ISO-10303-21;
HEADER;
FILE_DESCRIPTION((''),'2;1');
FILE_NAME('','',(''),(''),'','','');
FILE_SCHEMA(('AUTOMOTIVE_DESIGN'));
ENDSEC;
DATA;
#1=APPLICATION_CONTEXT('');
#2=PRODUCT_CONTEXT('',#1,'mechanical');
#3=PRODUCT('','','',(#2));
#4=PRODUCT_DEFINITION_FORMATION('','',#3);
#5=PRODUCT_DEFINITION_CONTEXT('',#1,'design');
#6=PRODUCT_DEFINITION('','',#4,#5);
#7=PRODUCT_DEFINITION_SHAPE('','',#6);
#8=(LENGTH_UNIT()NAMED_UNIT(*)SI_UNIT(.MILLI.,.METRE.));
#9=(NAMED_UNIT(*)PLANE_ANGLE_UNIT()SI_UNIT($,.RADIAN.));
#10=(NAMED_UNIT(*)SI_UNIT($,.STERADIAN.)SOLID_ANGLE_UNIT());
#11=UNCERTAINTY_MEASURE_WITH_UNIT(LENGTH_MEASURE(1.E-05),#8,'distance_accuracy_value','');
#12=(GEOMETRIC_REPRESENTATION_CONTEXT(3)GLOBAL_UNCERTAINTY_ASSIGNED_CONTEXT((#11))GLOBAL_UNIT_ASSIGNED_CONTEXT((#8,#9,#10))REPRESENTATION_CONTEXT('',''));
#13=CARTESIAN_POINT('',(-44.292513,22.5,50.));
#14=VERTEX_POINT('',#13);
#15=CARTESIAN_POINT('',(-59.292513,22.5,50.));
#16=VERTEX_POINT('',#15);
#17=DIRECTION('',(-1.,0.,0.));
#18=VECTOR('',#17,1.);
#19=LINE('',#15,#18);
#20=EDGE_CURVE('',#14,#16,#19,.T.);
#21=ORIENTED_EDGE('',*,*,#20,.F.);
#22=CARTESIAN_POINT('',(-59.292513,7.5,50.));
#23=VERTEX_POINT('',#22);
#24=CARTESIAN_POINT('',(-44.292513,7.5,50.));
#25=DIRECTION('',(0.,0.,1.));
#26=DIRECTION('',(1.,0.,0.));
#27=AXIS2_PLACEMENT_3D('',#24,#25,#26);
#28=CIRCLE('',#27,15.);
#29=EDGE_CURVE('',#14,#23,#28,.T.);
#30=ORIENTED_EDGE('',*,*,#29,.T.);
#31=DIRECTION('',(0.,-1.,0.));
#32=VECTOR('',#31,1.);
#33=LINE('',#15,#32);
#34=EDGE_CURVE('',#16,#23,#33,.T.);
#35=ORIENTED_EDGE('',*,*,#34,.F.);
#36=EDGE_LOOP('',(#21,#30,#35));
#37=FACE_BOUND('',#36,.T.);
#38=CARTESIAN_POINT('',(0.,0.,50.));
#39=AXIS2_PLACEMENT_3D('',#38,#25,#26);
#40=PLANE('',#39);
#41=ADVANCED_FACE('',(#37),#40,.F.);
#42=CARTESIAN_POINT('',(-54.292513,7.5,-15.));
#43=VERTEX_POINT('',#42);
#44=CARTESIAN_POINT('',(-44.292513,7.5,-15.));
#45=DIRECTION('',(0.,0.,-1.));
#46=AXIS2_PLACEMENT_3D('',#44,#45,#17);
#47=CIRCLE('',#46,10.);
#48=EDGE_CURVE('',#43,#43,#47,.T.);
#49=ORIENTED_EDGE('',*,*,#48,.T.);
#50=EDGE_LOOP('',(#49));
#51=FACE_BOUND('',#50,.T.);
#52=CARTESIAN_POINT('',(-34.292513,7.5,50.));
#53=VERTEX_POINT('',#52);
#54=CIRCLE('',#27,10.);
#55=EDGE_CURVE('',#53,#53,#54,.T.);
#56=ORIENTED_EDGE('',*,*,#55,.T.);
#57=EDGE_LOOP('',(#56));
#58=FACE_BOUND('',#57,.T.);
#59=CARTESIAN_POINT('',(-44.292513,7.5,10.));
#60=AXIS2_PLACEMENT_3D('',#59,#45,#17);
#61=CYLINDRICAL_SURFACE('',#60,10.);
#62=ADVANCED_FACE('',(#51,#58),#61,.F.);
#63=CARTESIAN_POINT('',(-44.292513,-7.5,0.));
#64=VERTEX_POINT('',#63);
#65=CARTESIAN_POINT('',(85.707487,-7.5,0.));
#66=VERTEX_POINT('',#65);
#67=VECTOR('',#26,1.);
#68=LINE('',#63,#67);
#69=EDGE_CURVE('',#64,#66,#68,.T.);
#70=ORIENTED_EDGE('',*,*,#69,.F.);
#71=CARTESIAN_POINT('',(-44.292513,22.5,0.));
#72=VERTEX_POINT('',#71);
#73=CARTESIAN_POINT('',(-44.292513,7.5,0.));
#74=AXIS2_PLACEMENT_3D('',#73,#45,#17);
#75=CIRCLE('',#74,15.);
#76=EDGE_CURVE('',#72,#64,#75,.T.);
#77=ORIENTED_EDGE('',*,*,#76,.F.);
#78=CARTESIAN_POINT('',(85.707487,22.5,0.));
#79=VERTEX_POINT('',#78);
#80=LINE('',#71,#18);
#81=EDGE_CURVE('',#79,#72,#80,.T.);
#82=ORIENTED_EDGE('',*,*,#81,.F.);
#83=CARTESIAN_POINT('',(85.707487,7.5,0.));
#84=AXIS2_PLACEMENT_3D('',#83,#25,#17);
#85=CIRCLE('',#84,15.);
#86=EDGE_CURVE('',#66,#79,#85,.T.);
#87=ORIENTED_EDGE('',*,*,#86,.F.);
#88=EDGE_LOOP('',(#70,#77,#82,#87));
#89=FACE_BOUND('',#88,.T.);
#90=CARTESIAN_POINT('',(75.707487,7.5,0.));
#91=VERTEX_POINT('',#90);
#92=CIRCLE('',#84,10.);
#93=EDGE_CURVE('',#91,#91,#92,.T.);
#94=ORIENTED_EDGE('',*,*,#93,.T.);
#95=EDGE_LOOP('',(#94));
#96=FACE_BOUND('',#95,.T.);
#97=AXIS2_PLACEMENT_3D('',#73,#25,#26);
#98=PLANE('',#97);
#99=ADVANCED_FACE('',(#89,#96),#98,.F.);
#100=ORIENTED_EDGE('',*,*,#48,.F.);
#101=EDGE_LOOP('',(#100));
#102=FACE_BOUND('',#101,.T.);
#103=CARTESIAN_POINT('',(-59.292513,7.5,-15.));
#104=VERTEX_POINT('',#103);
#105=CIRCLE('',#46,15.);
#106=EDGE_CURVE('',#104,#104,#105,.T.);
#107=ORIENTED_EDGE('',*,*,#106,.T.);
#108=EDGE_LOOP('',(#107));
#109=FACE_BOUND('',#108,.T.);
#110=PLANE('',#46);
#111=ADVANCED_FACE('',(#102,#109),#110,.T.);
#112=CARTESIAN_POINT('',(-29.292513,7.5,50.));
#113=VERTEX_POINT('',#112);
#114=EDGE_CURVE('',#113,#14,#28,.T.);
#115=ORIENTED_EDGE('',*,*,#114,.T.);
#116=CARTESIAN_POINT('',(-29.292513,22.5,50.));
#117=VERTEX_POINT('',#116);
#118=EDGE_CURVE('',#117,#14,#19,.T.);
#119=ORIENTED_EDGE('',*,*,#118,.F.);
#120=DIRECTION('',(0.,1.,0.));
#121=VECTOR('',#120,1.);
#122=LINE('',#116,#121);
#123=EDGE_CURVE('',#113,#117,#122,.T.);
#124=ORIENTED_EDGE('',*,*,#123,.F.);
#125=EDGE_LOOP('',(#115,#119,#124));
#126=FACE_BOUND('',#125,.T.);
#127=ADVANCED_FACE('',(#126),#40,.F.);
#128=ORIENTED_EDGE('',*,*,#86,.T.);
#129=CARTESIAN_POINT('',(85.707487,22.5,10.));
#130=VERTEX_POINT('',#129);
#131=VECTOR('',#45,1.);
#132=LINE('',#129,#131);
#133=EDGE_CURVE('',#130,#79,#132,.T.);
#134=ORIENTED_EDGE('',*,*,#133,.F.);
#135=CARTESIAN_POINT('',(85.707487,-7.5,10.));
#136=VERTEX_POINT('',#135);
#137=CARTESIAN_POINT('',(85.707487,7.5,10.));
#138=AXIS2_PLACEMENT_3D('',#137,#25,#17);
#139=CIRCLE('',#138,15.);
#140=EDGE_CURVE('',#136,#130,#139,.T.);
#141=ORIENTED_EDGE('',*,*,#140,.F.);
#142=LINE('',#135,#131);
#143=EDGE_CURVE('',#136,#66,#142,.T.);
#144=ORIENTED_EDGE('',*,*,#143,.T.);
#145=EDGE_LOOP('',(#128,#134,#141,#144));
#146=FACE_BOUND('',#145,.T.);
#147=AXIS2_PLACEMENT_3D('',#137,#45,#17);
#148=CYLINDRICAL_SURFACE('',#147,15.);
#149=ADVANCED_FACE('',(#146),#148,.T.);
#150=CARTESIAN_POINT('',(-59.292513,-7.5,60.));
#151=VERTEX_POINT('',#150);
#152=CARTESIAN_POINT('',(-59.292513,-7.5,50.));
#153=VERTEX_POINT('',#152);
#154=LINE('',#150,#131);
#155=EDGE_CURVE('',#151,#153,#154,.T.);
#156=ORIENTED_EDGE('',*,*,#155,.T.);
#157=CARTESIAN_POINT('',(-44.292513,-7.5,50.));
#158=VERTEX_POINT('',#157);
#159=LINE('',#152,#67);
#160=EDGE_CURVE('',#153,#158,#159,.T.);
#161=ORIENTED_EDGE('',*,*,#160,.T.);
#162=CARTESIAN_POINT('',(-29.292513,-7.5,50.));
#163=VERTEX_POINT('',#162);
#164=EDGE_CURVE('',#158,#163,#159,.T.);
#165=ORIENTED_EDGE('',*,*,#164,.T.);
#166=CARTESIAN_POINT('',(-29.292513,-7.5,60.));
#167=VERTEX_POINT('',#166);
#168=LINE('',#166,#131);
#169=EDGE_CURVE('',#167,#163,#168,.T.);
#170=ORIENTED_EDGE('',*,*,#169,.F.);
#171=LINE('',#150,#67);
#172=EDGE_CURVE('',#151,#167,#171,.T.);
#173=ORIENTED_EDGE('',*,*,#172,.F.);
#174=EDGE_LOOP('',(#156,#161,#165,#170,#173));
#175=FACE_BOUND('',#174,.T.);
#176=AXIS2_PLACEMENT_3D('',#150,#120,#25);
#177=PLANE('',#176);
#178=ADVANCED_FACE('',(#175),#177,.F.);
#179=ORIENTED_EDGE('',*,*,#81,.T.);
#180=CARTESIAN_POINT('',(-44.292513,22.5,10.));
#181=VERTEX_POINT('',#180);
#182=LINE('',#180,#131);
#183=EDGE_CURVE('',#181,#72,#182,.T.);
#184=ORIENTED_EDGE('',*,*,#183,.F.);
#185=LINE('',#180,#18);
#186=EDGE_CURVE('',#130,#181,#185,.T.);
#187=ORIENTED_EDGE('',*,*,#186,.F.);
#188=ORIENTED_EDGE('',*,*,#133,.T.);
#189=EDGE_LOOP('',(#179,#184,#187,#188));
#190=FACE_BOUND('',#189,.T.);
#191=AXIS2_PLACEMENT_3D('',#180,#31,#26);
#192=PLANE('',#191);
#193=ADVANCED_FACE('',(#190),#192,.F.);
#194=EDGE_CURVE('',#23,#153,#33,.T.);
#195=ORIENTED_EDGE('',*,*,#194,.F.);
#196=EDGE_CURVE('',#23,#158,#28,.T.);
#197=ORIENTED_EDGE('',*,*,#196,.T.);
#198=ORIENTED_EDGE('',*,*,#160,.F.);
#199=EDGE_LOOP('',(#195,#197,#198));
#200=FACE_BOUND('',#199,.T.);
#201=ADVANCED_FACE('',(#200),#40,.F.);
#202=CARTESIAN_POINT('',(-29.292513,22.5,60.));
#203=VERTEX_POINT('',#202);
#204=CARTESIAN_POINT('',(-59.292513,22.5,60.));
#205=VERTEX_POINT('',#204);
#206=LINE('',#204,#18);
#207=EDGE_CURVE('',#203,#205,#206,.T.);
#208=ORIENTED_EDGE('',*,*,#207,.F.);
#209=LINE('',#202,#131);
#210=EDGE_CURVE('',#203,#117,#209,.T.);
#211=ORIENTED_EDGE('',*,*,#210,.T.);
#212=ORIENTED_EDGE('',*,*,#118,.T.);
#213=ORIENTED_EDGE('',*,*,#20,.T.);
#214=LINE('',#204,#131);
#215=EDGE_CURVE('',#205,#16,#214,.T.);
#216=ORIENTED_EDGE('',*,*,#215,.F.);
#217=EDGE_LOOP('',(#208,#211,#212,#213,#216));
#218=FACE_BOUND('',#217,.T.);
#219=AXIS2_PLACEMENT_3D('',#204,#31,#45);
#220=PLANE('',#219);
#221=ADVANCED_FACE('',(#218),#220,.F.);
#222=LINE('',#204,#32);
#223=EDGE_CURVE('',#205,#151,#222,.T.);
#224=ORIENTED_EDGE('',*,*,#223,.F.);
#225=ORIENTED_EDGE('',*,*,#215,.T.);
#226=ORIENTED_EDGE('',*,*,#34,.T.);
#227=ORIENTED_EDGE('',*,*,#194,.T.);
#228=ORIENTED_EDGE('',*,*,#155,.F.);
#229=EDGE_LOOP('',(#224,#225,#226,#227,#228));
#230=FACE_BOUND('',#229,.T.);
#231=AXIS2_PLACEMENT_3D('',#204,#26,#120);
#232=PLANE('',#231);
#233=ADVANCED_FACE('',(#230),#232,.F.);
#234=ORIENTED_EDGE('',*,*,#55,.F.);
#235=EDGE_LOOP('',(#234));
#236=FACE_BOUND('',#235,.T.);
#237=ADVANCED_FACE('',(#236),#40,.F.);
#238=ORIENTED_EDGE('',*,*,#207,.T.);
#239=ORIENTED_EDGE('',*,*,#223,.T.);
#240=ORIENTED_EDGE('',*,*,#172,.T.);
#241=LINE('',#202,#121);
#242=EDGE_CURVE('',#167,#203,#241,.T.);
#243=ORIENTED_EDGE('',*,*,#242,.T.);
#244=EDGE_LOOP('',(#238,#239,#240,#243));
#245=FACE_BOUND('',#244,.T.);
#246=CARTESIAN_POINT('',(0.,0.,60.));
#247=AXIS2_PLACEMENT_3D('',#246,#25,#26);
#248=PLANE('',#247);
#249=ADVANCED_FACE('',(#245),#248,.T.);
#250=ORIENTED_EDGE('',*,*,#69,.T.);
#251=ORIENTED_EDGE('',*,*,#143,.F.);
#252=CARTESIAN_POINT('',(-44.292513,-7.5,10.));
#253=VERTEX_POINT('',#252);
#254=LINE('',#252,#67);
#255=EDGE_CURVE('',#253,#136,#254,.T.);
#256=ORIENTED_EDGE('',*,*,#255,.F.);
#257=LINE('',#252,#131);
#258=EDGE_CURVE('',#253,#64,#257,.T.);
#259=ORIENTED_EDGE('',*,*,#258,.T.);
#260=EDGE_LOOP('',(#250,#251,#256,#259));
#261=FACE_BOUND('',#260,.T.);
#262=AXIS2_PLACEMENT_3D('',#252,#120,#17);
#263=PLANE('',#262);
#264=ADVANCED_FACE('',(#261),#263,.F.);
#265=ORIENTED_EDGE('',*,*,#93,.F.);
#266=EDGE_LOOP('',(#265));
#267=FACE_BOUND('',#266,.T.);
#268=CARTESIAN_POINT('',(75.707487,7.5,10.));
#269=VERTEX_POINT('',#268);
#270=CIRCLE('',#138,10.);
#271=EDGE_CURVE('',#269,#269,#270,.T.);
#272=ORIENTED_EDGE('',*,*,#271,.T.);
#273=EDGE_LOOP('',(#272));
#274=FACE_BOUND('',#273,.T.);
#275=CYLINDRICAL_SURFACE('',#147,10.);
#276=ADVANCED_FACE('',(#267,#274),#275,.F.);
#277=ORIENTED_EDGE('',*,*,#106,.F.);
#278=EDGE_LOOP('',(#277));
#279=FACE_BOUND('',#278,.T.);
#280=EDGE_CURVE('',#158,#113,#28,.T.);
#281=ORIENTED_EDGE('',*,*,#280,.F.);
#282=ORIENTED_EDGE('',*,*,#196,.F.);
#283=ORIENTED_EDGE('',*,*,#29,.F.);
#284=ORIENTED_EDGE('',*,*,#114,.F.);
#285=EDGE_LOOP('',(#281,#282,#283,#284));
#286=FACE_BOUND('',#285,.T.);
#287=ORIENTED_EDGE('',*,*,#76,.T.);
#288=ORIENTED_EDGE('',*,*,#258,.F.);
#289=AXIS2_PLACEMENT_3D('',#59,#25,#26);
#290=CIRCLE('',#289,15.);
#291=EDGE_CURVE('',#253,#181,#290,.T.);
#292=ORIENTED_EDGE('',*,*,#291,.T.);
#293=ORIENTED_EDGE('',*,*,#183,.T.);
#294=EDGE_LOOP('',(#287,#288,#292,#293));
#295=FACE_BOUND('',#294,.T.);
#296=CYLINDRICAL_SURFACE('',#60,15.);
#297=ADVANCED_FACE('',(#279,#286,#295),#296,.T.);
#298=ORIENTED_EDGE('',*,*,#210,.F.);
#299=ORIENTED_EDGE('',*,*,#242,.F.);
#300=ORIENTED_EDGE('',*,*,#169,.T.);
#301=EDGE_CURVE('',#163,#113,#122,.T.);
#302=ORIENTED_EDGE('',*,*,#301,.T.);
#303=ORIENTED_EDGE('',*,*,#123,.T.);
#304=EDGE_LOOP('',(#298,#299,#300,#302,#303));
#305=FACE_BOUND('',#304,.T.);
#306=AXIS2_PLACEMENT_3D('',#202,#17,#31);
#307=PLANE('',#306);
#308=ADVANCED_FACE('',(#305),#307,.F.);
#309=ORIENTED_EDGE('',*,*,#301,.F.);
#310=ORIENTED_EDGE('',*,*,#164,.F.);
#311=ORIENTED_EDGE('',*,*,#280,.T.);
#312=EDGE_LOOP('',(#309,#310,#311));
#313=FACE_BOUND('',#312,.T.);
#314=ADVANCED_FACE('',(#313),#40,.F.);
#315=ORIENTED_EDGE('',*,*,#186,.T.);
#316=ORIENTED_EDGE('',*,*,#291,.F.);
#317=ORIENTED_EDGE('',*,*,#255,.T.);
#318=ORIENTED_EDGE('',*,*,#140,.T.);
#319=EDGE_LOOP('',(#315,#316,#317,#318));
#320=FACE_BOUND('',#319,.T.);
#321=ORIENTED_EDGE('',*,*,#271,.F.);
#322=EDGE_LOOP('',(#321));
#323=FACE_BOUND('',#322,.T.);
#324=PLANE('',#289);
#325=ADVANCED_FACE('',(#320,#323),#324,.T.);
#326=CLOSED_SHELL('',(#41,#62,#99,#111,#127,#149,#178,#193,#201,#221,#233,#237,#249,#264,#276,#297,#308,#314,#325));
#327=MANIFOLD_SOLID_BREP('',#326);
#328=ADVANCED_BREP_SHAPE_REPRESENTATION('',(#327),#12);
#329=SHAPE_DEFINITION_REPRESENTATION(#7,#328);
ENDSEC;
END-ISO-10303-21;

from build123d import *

# Parameters (mm, degrees)
CROQUIS1_R              = 10
SALIENTE_EXTRUIR1_DEPTH = 10
CROQUIS2_R              = 15
CROQUIS2_R_2            = 10
SALIENTE_EXTRUIR2_DEPTH = 40
CROQUIS3_W              = 30
CROQUIS3_H              = 30
SALIENTE_EXTRUIR3_DEPTH = 10
BOSS_EXTRUDE1_START     = 15
SKETCH1_R               = 15
SKETCH1_R_2             = 10
BOSS_EXTRUDE1_DEPTH     = 15


with BuildPart() as part:
    # Croquis1 → Saliente-Extruir1 (new body)
    with BuildSketch(Plane.XY):
        with BuildLine():
            Line((-44.292513238, 22.5), (85.707486762, 22.5))
            ThreePointArc((85.707486762, 22.5), (100.707486762, 7.5), (85.707486762, -7.5))
            Line((85.707486762, -7.5), (-44.292513238, -7.5))
            ThreePointArc((-44.292513238, -7.5), (-59.292513238, 7.5), (-44.292513238, 22.5))
        make_face()
        with Locations((-44.292513238, 7.5)):
            Circle(CROQUIS1_R, mode=Mode.SUBTRACT)
        with Locations(Location((85.707486762, 7.5, 0), (0, 0, 180))):
            Circle(CROQUIS1_R, mode=Mode.SUBTRACT)
    extrude(amount=SALIENTE_EXTRUIR1_DEPTH)

    # Croquis2 → Saliente-Extruir2 (add)
    with BuildSketch(Plane.XY.offset(10)):
        with Locations(Location((-44.292513238, 7.5, 0), (0, 0, 270))):
            Circle(CROQUIS2_R)
        with Locations((-44.292513238, 7.5)):
            Circle(CROQUIS2_R_2, mode=Mode.SUBTRACT)
    extrude(amount=SALIENTE_EXTRUIR2_DEPTH)

    # Croquis3 → Saliente-Extruir3 (add)
    with BuildSketch(Plane.XY.offset(50)):
        with Locations((-44.292513238, 7.5)):
            Rectangle(CROQUIS3_W, CROQUIS3_H)
    extrude(amount=SALIENTE_EXTRUIR3_DEPTH)

    # Sketch1 → Boss-Extrude1 (add)
    with BuildSketch(Plane(origin=(0, 0, 0), x_dir=(-1, 0, 0), z_dir=(0, 0, -1)).offset(BOSS_EXTRUDE1_START)):
        with Locations((44.292513238, 7.5)):
            Circle(SKETCH1_R)
        with Locations((44.292513238, 7.5)):
            Circle(SKETCH1_R_2, mode=Mode.SUBTRACT)
    extrude(amount=-BOSS_EXTRUDE1_DEPTH)


solid = part.part
